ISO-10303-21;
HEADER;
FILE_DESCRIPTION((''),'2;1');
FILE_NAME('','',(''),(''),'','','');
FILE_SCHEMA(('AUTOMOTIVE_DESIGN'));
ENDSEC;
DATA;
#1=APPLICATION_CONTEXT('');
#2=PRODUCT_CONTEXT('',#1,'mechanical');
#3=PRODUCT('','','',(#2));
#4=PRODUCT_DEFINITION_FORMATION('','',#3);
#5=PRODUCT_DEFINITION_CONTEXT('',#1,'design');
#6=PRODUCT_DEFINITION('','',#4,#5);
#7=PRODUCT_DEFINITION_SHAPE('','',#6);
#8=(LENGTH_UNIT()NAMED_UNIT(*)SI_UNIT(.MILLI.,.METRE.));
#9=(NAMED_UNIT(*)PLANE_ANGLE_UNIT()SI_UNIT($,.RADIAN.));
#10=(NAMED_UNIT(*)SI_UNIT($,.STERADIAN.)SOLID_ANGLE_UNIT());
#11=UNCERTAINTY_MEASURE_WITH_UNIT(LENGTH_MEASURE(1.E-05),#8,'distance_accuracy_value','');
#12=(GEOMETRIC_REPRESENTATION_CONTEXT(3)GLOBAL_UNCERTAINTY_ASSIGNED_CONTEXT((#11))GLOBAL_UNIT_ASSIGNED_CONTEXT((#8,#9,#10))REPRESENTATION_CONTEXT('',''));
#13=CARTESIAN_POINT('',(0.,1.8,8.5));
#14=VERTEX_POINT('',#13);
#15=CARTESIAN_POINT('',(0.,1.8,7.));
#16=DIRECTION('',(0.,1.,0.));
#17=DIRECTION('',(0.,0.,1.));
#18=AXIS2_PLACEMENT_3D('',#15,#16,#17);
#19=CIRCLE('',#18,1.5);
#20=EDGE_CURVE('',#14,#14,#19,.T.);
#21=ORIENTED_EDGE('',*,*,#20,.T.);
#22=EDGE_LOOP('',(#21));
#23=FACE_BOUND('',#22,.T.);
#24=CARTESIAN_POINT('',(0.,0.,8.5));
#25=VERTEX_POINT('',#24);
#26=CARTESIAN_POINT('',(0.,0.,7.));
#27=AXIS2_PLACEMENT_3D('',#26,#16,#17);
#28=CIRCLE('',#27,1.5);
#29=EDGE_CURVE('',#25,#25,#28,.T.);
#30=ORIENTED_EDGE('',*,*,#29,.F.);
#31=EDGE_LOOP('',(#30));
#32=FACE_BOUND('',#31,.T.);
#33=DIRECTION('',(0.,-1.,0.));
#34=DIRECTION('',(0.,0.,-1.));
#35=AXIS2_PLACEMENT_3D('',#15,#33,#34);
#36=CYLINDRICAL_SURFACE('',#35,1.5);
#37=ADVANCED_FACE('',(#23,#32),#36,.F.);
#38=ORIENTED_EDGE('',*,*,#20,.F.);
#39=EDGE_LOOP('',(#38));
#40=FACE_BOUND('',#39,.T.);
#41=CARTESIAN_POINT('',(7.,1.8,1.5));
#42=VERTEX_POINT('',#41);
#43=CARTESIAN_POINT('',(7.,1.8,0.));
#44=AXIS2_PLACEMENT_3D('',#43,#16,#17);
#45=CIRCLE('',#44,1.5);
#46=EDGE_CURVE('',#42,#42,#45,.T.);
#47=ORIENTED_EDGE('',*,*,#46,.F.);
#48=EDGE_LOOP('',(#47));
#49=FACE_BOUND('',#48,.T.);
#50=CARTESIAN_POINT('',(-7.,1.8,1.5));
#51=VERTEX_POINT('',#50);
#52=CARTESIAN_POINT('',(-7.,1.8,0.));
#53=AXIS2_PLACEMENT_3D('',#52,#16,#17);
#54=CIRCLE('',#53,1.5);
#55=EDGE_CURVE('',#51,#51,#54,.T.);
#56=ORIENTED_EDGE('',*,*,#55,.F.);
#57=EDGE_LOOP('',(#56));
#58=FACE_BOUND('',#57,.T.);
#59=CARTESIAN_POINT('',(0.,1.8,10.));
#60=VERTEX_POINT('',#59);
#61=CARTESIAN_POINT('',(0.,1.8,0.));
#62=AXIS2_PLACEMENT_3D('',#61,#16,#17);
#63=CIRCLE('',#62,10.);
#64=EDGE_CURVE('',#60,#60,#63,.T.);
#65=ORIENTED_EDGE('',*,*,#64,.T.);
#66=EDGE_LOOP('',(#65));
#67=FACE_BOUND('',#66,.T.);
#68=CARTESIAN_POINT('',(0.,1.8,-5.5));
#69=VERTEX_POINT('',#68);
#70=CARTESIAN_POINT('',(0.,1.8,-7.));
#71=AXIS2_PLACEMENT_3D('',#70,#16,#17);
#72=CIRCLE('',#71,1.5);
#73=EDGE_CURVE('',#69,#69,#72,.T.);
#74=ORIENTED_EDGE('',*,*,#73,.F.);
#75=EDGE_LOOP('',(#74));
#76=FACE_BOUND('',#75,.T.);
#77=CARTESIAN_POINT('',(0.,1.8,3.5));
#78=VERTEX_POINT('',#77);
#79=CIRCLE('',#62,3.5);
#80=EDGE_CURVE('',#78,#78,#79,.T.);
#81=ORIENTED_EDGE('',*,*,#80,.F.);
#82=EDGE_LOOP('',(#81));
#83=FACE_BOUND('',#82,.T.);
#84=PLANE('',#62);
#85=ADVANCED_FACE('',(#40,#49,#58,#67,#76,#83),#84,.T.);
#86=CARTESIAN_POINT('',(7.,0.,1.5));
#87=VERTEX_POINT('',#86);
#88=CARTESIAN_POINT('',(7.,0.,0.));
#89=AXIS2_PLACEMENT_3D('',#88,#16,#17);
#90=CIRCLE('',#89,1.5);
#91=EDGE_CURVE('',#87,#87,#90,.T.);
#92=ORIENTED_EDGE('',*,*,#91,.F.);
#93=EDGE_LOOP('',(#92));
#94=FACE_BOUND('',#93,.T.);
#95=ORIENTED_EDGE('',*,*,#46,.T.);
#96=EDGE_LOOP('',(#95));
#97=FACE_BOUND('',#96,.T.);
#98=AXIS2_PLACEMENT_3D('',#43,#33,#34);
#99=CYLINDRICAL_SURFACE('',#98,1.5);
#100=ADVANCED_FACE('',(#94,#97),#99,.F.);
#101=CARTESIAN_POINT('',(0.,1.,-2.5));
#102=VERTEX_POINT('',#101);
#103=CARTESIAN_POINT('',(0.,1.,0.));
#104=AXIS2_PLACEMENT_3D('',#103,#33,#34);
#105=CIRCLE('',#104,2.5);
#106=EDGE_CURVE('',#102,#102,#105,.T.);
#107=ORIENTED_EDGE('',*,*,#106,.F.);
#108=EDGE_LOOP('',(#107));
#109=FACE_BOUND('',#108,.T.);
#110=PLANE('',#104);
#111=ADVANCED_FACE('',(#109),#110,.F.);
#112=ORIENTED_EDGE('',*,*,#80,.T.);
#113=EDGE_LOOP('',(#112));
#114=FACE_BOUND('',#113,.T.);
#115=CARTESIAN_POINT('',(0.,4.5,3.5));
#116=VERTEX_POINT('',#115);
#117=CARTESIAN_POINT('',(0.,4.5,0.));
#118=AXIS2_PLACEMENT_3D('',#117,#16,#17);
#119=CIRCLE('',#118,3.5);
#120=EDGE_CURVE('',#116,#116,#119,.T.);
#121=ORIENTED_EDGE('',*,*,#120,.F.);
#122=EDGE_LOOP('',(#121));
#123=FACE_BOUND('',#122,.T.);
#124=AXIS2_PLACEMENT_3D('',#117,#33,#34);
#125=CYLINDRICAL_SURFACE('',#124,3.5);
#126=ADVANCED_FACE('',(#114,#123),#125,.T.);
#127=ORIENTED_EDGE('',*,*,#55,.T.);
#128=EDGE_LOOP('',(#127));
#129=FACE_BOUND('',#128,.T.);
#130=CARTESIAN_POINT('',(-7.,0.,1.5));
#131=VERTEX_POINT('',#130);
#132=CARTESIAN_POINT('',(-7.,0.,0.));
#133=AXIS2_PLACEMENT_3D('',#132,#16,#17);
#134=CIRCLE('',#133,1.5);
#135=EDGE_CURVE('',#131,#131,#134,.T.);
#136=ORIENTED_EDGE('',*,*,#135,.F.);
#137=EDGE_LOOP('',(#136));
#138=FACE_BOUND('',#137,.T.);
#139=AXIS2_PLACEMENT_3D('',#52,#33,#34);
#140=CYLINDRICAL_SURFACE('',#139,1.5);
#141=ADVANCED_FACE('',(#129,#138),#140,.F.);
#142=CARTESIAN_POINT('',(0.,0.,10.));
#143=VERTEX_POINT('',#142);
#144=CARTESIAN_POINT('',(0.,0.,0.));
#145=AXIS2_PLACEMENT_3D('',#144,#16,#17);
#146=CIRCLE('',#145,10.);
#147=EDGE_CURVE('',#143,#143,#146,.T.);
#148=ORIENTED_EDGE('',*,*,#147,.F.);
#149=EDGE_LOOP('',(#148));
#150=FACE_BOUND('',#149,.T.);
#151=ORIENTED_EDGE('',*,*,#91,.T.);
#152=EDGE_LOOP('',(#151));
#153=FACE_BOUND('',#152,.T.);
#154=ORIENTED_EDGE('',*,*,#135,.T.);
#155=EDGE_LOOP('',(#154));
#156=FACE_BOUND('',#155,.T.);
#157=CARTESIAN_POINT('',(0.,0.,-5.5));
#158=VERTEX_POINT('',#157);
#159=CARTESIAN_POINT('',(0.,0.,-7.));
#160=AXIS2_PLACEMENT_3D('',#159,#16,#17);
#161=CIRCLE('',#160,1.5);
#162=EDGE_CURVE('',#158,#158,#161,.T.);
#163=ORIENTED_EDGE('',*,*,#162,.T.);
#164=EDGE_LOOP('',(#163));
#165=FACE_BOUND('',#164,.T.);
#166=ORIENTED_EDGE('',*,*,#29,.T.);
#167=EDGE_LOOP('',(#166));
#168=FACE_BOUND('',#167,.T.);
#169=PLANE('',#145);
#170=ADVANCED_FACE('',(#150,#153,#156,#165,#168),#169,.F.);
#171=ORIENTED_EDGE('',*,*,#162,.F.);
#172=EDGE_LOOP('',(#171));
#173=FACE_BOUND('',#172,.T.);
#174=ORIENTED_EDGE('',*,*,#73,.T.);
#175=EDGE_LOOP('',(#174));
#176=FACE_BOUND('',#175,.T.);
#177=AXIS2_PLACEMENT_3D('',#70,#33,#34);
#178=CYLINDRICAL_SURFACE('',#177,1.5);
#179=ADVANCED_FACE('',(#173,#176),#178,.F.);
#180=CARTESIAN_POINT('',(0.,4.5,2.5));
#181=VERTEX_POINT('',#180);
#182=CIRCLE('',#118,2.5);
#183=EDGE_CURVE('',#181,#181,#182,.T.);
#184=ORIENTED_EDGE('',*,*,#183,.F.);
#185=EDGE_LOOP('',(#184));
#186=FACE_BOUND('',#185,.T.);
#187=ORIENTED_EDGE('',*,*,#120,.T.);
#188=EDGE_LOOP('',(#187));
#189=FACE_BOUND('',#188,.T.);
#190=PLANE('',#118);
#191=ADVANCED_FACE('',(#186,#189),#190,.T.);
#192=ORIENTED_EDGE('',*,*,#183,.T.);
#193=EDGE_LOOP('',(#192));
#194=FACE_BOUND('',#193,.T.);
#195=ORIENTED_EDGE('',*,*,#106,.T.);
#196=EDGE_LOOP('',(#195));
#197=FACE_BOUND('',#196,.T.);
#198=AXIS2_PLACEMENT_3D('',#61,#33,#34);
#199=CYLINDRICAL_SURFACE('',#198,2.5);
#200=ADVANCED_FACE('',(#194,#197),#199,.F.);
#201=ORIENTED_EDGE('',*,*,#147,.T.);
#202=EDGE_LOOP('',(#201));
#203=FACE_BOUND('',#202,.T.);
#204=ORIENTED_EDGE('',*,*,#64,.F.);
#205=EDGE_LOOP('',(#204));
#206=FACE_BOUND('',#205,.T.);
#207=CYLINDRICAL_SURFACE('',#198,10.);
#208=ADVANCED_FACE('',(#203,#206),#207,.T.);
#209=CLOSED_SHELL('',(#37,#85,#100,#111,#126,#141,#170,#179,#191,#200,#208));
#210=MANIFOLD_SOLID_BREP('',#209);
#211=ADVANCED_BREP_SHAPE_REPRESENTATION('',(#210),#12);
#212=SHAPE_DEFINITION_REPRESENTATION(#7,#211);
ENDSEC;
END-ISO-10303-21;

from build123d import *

# Parameters (mm, degrees)
SKETCH1_R           = 10
SKETCH1_R_2         = 2.5
SKETCH1_R_3         = 1.5
BOSS_EXTRUDE1_DEPTH = 1.8
SKETCH2_R           = 3.5
SKETCH2_R_2         = 2.5
BOSS_EXTRUDE2_DEPTH = 2.7
SKETCH3_R           = 2.5
BOSS_EXTRUDE3_DEPTH = 1


with BuildPart() as part:
    # Sketch1 → Boss-Extrude1 (new body)
    with BuildSketch(Plane(origin=(0, 0, 0), x_dir=(1, 0, 0), z_dir=(0, 1, 0))):
        Circle(SKETCH1_R)
        Circle(SKETCH1_R_2, mode=Mode.SUBTRACT)
        with Locations((0, 7)):
            Circle(SKETCH1_R_3, mode=Mode.SUBTRACT)
        with Locations((7, 0)):
            Circle(SKETCH1_R_3, mode=Mode.SUBTRACT)
        with Locations((0, -7)):
            Circle(SKETCH1_R_3, mode=Mode.SUBTRACT)
        with Locations((-7, 0)):
            Circle(SKETCH1_R_3, mode=Mode.SUBTRACT)
    extrude(amount=BOSS_EXTRUDE1_DEPTH)

    # Sketch2 → Boss-Extrude2 (add)
    with BuildSketch(Plane(origin=(0, 1.8, 0), x_dir=(1, 0, 0), z_dir=(0, 1, 0))):
        Circle(SKETCH2_R)
        Circle(SKETCH2_R_2, mode=Mode.SUBTRACT)
    extrude(amount=BOSS_EXTRUDE2_DEPTH)

    # Sketch3 → Boss-Extrude3 (add)
    with BuildSketch(Plane(origin=(0, 0, 0), x_dir=(-1, 0, 0), z_dir=(0, -1, 0))):
        Circle(SKETCH3_R)
    extrude(amount=-BOSS_EXTRUDE3_DEPTH)


solid = part.part
